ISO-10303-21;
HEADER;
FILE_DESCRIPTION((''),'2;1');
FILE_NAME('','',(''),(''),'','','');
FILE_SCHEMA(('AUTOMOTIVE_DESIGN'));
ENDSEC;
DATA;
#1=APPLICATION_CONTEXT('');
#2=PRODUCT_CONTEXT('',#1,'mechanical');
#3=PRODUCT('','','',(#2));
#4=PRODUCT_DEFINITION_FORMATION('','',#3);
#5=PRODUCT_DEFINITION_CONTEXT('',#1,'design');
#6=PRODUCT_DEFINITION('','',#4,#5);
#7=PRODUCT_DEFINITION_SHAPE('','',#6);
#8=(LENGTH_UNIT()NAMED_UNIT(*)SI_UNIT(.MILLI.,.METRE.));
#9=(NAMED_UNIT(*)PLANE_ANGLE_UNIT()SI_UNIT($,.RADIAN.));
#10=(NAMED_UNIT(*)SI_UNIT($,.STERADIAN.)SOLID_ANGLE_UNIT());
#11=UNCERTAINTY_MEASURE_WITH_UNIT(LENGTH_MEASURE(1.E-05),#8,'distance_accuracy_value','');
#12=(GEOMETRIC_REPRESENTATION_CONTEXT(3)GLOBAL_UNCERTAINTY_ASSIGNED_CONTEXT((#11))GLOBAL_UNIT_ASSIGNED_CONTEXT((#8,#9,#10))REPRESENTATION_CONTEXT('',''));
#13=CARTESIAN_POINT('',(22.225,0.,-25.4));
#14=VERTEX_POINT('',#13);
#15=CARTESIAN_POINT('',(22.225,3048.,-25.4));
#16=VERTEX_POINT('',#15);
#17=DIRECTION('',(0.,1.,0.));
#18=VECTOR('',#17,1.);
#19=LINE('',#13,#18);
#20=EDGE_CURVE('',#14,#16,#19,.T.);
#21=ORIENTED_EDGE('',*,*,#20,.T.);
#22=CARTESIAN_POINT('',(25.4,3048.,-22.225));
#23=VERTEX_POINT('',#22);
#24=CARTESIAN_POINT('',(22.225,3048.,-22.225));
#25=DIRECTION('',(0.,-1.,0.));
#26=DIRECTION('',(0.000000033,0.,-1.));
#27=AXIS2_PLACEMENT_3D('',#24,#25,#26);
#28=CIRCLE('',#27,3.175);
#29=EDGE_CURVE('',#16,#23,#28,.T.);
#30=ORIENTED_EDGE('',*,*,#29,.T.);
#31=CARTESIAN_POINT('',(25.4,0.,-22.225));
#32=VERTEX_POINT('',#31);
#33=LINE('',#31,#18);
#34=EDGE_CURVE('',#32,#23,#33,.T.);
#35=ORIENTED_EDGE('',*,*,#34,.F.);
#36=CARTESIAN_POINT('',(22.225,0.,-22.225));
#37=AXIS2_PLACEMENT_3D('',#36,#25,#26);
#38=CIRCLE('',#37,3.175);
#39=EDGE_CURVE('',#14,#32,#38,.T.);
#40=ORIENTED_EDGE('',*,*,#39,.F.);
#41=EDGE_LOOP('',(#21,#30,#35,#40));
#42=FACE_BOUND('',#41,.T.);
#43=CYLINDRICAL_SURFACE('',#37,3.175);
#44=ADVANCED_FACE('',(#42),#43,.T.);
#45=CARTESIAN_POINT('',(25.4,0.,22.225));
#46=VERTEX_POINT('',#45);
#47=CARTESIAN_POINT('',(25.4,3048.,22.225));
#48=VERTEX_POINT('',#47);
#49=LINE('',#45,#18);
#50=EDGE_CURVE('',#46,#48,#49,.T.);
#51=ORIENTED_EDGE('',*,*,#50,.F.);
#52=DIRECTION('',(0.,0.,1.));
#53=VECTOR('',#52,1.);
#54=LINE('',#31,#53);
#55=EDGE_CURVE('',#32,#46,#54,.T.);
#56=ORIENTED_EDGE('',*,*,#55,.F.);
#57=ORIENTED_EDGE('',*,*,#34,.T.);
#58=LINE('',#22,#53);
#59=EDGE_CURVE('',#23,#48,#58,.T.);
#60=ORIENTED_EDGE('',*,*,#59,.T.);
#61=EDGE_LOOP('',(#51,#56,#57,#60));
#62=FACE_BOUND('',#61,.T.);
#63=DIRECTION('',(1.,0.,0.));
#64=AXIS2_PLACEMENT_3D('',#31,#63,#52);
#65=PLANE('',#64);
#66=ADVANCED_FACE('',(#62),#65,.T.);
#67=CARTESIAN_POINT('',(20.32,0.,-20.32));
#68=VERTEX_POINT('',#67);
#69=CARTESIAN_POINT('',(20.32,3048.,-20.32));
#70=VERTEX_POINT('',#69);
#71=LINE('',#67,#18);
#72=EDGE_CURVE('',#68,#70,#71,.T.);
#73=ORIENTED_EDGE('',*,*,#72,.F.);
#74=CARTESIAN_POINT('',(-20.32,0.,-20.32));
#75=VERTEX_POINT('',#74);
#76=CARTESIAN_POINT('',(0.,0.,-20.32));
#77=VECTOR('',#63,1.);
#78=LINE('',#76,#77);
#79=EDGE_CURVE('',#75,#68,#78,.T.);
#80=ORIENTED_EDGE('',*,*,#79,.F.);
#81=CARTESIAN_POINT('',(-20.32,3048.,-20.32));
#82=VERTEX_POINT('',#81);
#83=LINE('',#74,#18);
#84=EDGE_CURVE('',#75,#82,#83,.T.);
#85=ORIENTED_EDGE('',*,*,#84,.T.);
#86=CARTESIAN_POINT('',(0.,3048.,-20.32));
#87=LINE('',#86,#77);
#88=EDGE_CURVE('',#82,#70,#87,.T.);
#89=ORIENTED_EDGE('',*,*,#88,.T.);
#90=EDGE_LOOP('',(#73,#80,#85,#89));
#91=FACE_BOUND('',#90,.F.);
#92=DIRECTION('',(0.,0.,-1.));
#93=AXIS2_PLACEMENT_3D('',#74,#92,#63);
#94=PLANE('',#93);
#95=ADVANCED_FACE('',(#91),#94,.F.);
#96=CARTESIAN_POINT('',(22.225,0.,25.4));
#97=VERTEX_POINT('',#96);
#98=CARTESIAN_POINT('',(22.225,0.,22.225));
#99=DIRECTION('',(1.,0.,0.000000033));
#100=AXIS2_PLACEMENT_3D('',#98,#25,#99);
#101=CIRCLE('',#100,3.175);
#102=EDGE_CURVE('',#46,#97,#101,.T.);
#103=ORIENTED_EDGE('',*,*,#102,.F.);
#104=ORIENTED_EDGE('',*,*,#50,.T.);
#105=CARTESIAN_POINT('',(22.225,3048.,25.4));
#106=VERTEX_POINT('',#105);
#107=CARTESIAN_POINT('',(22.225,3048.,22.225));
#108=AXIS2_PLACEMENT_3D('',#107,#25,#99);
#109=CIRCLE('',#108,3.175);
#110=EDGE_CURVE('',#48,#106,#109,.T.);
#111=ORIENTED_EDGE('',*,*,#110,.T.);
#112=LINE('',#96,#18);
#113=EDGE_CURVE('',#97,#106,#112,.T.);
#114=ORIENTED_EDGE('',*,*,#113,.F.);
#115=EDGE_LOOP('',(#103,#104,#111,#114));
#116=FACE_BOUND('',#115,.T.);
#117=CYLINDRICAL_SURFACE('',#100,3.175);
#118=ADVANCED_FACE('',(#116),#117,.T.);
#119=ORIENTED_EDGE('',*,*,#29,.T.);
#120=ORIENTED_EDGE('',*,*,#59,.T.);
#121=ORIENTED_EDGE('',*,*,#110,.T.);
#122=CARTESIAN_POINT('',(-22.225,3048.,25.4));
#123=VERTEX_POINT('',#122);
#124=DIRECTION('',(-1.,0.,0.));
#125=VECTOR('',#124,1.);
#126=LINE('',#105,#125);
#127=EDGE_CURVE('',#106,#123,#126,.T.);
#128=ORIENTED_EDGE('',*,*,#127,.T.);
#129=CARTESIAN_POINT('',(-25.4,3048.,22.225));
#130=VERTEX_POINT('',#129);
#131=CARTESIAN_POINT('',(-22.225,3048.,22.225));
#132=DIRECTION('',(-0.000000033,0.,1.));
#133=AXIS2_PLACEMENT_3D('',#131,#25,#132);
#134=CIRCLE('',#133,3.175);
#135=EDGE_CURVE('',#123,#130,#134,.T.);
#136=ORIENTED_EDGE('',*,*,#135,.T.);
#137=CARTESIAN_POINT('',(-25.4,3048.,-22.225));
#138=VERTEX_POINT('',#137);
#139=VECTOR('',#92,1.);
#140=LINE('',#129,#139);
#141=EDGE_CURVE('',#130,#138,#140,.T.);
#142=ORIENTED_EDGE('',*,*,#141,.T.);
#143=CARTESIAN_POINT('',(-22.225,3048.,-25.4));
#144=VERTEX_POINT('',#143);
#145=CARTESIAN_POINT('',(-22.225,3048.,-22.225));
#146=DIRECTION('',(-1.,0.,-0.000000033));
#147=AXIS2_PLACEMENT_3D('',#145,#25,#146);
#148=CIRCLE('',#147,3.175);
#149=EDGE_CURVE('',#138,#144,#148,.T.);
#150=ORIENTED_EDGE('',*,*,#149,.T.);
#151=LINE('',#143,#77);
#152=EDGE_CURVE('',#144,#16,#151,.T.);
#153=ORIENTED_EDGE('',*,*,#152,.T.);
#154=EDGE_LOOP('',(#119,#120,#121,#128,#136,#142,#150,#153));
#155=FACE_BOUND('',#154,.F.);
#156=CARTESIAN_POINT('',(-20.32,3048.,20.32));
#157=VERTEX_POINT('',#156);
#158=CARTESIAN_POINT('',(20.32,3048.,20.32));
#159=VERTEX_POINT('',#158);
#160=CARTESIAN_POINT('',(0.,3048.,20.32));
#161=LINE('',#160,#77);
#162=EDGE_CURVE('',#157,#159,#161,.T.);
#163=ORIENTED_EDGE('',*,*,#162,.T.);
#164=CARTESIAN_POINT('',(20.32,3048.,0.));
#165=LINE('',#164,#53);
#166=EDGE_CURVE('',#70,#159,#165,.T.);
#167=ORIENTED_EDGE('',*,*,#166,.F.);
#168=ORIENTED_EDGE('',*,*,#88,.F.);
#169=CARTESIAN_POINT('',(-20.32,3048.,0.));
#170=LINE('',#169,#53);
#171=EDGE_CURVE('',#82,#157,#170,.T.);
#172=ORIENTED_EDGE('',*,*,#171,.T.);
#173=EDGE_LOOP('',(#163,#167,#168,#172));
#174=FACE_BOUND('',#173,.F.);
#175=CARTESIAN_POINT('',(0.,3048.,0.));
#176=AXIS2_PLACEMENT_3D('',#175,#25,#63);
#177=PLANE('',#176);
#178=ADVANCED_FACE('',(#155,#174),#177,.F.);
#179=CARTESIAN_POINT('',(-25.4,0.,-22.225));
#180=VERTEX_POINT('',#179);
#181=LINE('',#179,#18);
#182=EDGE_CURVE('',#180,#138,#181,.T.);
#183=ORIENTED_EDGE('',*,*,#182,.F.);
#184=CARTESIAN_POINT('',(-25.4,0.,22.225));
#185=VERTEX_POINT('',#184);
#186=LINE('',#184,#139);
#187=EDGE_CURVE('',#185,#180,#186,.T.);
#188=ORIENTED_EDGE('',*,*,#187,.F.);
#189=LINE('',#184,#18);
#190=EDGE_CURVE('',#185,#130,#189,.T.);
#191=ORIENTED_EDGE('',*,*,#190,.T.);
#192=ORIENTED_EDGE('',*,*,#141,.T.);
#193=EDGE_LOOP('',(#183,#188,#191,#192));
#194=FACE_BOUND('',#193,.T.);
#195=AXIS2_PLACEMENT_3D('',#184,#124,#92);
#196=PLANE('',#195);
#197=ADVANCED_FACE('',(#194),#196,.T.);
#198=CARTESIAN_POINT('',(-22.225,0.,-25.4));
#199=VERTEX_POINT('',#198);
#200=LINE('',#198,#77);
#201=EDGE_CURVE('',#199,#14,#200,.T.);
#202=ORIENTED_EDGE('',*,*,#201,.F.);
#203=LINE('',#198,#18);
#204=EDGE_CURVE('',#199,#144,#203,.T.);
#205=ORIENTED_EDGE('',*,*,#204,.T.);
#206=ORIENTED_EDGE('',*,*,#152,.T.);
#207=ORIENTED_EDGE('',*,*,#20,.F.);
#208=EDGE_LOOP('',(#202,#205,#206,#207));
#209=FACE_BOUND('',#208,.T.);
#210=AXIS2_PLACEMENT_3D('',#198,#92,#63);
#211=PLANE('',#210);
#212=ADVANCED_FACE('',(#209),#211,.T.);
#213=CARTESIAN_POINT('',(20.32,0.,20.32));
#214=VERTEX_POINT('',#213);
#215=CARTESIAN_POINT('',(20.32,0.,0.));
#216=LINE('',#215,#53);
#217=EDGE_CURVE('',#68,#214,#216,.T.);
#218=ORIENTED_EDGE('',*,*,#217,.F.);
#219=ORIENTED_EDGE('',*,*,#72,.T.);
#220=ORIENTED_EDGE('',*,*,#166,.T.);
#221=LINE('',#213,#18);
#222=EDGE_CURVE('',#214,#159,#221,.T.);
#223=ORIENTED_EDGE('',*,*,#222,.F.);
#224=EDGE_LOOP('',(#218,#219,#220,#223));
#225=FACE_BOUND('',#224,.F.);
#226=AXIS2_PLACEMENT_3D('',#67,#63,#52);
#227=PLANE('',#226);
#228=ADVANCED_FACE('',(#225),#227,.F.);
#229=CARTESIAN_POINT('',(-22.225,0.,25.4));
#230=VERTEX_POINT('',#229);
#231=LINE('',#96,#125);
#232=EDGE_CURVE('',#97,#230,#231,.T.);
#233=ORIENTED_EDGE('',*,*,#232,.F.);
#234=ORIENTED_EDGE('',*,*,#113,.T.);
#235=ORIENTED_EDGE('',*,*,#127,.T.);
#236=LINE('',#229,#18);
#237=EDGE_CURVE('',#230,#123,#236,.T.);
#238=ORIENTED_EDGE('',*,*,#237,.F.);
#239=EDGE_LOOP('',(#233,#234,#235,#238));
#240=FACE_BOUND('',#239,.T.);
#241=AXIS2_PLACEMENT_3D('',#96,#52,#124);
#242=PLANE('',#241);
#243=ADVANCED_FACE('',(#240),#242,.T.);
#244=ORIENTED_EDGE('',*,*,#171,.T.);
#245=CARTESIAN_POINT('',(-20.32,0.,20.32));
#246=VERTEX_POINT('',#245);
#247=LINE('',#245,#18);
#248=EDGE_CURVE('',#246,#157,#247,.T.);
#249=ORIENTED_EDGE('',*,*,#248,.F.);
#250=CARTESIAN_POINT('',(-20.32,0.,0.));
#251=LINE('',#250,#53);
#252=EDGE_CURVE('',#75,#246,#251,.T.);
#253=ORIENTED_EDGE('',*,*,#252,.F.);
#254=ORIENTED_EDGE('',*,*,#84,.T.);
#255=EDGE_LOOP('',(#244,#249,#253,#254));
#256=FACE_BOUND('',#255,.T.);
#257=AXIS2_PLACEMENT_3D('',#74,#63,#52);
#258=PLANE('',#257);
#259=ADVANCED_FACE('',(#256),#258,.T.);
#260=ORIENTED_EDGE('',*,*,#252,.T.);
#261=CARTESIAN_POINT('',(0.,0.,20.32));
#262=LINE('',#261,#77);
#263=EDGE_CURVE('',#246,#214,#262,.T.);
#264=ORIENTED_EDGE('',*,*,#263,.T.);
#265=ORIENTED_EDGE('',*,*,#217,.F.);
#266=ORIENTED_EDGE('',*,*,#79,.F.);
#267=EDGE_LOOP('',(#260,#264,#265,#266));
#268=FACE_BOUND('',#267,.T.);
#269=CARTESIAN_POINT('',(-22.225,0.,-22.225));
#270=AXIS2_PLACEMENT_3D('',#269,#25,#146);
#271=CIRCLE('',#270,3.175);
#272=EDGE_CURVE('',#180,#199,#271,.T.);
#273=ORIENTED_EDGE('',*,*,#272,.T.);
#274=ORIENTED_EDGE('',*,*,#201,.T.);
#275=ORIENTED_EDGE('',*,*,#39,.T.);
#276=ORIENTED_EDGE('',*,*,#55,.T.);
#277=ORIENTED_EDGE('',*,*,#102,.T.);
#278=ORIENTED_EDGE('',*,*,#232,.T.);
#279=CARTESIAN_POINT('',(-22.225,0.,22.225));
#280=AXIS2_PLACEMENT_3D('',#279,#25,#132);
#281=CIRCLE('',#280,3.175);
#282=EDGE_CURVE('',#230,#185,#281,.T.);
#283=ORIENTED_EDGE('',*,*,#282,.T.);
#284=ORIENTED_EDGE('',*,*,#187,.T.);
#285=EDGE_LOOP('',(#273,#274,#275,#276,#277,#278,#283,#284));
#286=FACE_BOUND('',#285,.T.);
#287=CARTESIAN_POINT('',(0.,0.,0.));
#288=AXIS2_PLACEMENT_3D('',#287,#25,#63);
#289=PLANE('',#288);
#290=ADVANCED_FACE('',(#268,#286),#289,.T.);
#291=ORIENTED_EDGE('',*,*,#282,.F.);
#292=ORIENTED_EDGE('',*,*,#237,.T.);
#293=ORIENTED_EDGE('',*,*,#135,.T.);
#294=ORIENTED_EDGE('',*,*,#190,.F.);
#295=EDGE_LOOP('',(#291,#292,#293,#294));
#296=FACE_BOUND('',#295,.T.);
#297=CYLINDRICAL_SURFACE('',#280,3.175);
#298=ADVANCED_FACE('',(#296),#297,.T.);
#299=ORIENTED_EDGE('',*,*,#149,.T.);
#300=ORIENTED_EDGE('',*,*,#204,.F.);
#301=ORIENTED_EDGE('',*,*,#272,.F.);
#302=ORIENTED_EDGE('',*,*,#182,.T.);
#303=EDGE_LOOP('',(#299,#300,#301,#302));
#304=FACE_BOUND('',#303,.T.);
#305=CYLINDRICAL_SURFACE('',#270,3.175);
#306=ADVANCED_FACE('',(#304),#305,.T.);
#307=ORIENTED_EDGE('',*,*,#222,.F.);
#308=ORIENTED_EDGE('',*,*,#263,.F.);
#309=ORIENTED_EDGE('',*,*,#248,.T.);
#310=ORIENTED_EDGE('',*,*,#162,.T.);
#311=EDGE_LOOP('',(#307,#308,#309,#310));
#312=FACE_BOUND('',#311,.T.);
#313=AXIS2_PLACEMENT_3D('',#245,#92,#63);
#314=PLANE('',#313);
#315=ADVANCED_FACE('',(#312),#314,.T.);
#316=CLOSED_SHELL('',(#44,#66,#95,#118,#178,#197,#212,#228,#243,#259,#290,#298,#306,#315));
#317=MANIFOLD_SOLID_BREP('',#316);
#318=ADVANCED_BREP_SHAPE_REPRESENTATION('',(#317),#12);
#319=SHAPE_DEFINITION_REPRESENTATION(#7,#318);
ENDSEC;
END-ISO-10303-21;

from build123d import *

# Parameters (mm, degrees)
F0_W     = 40.64
F0_H     = 40.64
F1_DEPTH = 3048


with BuildPart() as f1:
    # F0 (on Front) → F1 (new body)
    with BuildSketch(Plane.XZ):
        with BuildLine():
            ThreePointArc((25.4, 22.225), (24.470064, 24.470064), (22.225, 25.4))
            Line((22.225, 25.4), (-22.225, 25.4))
            ThreePointArc((-22.225, 25.4), (-24.470064, 24.470064), (-25.4, 22.225))
            Line((-25.4, 22.225), (-25.4, -22.225))
            ThreePointArc((-25.4, -22.225), (-24.470064, -24.470064), (-22.225, -25.4))
            Line((-22.225, -25.4), (22.225, -25.4))
            ThreePointArc((22.225, -25.4), (24.470064, -24.470064), (25.4, -22.225))
            Line((25.4, -22.225), (25.4, 22.225))
        make_face()
        Rectangle(F0_W, F0_H, mode=Mode.SUBTRACT)
    extrude(amount=-F1_DEPTH)


solid = f1.part
